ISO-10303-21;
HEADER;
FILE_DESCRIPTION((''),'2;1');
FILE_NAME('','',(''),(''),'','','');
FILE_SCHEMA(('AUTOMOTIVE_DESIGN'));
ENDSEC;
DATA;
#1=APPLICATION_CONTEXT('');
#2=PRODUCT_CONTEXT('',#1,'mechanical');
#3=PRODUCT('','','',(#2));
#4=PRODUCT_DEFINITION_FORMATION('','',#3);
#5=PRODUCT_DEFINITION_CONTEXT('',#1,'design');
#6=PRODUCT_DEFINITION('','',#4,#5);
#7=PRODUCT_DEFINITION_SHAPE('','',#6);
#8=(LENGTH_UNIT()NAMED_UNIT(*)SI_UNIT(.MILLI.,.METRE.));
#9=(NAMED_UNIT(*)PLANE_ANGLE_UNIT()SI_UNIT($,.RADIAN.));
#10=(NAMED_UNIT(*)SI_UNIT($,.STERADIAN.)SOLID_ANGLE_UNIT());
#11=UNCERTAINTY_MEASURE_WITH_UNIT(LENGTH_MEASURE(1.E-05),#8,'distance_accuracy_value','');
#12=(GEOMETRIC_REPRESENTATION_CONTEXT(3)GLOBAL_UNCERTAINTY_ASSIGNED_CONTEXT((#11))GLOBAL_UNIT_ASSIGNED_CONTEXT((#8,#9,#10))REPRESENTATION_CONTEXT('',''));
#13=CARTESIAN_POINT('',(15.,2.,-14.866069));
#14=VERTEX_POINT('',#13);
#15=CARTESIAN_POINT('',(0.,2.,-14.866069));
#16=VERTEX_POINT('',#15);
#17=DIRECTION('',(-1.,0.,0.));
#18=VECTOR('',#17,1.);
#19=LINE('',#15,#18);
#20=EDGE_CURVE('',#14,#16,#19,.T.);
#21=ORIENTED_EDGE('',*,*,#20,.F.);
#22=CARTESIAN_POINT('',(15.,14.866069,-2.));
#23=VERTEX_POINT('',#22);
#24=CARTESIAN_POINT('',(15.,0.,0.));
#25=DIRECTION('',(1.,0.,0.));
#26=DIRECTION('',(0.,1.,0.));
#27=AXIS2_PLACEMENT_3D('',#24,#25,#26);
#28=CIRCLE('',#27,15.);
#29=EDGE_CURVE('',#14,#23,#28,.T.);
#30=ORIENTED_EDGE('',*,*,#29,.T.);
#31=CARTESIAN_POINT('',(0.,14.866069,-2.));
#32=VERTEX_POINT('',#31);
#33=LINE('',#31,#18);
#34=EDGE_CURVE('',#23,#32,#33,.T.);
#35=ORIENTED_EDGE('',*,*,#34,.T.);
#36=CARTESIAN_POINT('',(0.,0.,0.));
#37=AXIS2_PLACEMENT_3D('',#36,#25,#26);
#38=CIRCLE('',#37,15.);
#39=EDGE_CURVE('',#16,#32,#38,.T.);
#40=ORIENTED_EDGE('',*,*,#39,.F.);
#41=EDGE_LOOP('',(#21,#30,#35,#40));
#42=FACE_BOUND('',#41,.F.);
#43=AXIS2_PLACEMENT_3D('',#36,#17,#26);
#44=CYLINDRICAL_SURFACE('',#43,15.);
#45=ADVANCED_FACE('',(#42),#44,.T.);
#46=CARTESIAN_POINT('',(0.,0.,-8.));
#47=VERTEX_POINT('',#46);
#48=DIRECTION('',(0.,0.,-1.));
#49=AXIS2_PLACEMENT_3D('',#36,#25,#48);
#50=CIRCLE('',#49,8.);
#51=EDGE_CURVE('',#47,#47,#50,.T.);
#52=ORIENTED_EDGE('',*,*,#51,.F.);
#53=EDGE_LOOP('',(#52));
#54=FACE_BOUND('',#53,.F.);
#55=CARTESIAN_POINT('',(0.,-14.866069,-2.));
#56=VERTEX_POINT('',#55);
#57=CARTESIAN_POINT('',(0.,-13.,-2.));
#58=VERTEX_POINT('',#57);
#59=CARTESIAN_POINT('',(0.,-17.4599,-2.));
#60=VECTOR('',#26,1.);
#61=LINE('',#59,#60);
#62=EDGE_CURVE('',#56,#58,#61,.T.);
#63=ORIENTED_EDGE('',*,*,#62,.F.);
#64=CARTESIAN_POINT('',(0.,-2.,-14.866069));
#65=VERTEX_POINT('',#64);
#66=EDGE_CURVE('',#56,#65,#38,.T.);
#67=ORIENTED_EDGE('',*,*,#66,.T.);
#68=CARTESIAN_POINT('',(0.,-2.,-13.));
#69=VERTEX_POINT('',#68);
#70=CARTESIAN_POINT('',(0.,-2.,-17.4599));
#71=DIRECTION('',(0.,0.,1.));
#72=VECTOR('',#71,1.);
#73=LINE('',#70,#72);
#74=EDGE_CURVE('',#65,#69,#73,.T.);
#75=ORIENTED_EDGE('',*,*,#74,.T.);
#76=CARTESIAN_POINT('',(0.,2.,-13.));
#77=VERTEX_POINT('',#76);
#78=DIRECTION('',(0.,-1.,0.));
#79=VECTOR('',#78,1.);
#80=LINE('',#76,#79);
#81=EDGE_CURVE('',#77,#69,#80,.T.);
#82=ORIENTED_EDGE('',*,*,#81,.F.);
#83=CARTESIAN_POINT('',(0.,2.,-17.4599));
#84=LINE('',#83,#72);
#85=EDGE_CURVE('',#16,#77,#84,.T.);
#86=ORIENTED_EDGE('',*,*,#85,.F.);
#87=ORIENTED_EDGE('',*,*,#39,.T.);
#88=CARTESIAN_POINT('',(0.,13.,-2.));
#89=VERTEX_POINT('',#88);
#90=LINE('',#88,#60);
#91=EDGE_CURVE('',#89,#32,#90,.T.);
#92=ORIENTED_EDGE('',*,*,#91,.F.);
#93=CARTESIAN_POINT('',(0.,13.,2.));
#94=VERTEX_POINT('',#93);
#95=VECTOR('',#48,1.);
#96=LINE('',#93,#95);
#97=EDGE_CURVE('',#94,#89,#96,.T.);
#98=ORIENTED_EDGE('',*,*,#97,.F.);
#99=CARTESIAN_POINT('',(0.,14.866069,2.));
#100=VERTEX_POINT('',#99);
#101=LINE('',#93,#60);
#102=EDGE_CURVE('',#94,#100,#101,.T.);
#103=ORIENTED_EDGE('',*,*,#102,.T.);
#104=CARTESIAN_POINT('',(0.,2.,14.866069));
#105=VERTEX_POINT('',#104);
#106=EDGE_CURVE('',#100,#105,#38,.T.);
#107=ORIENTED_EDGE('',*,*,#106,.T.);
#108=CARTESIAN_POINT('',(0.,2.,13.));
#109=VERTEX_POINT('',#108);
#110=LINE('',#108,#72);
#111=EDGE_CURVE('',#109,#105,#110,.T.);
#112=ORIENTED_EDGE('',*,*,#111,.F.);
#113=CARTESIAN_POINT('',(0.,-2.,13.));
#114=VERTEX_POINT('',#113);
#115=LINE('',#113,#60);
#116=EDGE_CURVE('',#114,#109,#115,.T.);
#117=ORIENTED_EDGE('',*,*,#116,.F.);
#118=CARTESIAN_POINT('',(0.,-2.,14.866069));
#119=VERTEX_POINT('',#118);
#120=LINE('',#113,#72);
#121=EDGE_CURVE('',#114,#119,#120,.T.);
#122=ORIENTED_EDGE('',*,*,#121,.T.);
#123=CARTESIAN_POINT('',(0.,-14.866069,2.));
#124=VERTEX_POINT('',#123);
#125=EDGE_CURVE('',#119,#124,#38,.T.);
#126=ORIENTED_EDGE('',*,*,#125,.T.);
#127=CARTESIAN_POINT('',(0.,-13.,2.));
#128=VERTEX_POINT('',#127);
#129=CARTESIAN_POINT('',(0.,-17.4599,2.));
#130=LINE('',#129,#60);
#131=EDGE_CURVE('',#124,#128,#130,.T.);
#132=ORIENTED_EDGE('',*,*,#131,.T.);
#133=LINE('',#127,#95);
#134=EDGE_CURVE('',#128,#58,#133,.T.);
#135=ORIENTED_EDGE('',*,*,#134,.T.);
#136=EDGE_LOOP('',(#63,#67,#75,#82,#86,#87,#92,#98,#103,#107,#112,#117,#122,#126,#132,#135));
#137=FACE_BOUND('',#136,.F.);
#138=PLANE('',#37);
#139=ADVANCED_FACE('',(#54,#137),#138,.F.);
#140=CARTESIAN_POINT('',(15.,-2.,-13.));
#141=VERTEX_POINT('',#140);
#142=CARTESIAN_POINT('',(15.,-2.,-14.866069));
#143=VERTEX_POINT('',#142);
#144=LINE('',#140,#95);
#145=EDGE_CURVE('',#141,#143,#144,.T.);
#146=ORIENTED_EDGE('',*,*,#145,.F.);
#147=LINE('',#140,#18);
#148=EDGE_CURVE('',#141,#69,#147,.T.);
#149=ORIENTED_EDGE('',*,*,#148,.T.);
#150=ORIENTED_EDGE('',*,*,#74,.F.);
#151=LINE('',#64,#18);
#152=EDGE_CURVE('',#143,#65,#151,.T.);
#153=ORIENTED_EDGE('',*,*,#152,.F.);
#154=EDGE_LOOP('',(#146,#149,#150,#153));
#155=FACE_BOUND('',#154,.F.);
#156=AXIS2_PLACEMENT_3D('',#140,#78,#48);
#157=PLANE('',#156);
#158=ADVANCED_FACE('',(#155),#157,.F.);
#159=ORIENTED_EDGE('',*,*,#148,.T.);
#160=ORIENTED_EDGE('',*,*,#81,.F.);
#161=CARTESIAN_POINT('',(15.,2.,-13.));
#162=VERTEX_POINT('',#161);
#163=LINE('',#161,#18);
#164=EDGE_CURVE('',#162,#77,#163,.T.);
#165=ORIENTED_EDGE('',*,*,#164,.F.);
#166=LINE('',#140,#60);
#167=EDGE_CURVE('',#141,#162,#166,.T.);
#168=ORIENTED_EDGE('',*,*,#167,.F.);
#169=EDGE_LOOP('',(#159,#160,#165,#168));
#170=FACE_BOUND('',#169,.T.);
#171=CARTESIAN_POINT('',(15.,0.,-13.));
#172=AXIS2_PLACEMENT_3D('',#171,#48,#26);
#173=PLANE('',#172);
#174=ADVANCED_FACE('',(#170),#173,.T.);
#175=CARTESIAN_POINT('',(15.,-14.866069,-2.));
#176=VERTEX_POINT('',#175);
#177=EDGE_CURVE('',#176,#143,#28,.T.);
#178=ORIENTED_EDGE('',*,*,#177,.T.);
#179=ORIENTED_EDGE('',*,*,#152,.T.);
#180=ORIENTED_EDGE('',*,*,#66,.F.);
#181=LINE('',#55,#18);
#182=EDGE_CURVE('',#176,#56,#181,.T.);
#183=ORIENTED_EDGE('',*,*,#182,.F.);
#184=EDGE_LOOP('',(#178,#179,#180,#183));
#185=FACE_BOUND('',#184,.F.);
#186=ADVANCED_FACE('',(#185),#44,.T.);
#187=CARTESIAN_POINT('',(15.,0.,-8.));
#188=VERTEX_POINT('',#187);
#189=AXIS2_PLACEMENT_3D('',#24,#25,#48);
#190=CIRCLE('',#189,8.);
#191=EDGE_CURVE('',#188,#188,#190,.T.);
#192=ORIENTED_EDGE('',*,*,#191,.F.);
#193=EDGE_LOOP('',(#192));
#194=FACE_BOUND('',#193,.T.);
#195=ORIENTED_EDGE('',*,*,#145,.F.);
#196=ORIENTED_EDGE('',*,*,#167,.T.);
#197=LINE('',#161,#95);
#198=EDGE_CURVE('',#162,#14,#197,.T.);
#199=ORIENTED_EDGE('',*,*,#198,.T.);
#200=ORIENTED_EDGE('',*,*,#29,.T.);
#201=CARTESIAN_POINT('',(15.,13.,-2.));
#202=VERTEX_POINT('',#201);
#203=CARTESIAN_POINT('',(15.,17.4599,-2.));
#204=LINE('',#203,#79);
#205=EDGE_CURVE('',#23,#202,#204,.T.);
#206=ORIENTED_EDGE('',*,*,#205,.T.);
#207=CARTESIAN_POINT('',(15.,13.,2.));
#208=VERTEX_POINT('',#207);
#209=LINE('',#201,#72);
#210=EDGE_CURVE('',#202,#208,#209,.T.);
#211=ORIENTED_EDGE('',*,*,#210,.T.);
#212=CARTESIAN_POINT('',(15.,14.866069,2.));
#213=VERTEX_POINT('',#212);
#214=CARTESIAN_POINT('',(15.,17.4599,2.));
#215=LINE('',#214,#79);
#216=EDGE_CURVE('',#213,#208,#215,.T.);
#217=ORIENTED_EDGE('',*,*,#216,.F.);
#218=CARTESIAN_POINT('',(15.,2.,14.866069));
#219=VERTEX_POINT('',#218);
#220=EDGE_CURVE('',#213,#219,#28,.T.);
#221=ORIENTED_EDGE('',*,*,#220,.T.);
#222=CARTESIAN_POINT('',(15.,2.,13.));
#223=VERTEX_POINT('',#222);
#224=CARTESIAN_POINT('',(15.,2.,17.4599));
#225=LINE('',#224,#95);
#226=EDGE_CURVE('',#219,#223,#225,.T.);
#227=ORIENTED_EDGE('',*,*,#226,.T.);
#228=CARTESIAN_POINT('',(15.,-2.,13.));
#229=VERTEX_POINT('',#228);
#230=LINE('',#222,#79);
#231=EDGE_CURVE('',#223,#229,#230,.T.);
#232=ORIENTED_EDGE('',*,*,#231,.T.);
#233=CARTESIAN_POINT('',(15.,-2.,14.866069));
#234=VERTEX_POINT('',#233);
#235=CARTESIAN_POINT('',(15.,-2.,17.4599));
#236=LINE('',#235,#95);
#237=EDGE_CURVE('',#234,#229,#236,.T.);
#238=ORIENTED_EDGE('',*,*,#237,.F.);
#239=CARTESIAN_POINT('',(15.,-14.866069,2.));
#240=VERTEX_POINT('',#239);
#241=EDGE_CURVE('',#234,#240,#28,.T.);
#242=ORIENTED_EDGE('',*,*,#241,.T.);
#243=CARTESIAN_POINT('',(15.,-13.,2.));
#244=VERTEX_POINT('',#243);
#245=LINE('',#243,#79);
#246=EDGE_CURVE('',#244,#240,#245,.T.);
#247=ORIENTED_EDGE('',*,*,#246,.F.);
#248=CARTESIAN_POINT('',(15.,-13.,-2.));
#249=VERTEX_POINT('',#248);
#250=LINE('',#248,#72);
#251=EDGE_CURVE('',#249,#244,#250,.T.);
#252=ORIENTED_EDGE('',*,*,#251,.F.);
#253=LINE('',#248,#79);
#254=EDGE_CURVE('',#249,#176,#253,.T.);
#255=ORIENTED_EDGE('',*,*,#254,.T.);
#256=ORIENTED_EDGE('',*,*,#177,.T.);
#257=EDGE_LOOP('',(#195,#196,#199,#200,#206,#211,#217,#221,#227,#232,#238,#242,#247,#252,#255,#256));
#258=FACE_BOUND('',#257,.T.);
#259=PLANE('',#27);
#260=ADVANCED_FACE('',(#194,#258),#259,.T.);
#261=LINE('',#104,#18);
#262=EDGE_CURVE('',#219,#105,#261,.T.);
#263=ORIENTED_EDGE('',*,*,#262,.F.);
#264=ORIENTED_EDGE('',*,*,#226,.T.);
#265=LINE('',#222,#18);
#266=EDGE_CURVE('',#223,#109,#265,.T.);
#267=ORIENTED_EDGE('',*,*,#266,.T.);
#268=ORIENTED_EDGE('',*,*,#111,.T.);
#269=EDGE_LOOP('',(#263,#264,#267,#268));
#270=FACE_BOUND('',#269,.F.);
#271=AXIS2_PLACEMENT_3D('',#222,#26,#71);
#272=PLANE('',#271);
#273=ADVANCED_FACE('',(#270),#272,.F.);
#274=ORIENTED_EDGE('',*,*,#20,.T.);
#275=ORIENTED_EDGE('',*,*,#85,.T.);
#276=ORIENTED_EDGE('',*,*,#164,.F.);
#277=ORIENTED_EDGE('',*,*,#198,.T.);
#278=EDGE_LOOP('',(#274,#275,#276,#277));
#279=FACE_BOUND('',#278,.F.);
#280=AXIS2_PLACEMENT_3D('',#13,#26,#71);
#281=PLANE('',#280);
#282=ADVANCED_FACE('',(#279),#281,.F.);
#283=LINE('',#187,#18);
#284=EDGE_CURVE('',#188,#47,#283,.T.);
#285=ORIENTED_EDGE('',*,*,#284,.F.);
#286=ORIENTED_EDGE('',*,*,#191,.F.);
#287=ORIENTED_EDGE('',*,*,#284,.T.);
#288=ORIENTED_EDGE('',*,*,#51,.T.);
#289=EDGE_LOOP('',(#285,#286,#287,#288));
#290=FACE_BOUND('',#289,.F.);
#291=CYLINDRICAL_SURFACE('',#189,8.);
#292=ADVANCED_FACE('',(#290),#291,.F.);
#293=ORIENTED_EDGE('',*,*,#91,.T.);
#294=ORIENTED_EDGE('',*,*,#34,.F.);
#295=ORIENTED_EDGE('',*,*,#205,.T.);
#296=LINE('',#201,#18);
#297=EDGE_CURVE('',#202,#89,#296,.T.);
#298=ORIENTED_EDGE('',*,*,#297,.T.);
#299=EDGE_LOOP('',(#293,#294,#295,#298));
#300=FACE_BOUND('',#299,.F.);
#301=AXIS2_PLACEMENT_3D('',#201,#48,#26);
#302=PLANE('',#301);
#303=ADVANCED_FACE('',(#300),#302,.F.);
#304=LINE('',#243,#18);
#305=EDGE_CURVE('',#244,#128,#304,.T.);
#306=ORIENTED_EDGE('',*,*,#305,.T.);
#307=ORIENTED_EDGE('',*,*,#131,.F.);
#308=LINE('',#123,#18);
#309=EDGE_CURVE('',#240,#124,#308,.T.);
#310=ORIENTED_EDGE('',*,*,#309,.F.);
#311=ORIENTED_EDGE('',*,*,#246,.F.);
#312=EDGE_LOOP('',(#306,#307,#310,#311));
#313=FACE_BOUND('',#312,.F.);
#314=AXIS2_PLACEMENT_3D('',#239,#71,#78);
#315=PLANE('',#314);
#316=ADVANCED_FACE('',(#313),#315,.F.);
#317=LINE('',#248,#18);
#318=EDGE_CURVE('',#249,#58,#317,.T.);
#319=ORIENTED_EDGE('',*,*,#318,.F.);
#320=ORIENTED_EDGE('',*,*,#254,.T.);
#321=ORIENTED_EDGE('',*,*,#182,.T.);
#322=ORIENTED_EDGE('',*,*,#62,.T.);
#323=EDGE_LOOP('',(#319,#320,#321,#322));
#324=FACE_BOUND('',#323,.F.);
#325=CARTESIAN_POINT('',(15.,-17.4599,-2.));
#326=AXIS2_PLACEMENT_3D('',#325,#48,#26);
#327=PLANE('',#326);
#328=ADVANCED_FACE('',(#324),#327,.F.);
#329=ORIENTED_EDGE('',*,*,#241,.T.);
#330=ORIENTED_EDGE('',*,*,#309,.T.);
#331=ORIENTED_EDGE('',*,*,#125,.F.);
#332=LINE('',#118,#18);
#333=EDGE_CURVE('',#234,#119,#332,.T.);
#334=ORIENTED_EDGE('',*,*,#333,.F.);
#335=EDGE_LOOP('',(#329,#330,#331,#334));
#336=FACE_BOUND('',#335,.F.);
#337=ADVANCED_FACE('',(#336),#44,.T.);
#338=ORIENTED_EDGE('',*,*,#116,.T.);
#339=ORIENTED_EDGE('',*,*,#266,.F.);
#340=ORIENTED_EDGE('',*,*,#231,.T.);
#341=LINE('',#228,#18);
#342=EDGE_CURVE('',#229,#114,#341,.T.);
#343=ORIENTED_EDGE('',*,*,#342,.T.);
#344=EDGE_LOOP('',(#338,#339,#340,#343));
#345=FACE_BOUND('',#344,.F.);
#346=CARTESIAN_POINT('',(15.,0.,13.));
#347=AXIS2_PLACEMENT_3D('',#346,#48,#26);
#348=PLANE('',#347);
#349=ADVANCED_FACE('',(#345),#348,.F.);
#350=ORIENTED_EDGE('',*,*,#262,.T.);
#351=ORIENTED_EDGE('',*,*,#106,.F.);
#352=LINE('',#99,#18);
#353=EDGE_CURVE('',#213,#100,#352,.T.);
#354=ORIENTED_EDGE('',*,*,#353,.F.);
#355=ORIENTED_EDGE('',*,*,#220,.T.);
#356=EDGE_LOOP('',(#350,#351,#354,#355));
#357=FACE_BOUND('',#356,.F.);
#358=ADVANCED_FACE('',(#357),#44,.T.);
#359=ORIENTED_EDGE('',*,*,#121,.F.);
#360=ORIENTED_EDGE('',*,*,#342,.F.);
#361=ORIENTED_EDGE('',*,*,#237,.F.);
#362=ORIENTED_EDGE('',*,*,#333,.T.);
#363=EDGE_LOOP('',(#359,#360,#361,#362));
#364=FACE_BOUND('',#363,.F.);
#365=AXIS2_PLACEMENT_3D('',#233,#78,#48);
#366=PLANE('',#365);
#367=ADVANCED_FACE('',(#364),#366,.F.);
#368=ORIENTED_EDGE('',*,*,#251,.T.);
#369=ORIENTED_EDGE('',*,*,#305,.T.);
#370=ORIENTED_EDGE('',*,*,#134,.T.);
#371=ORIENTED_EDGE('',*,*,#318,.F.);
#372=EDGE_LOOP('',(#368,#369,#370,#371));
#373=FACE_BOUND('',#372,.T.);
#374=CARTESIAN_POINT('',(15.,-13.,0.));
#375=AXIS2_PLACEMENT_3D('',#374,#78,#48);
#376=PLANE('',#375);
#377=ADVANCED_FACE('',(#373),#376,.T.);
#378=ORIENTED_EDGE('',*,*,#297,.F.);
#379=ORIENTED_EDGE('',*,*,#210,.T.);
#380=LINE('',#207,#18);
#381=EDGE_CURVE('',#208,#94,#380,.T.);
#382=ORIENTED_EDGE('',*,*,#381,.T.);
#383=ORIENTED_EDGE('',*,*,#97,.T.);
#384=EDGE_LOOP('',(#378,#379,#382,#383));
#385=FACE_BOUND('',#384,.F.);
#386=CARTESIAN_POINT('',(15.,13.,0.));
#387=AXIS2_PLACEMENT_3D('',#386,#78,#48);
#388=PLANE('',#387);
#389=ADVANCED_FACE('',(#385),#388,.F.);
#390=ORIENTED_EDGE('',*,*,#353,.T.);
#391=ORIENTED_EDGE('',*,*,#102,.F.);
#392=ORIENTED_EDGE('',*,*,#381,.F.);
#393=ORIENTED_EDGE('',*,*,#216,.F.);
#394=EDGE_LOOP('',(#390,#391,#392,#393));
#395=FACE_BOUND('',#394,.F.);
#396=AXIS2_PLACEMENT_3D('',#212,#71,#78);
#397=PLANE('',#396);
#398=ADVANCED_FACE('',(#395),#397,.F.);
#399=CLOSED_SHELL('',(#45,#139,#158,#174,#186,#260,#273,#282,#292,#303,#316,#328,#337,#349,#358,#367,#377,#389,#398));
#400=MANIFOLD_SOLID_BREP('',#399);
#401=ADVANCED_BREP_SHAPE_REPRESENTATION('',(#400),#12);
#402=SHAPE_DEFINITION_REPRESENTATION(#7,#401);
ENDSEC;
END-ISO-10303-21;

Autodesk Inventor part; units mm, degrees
ref_plane "YZ Plane" through (0, 0, 0) normal (1, 0, 0) x (0, 1, 0)
ref_plane "XZ Plane" through (0, 0, 0) normal (0, 1, 0) x (-1, 0, 0)
ref_plane "XY Plane" through (0, 0, 0) normal (0, 0, 1) x (1, 0, 0)
sketch "Sketch1" plane through (0, 0, 0) normal (1, 0, 0) x (0, 1, 0)
  circle A0 centre (0, 0) radius 15
  dimension "d0" = 30
extrude "Extrusion1" add sketch "Sketch1" along normal blind 15
sketch "Sketch2" plane through (15, 0, 0) normal (1, 0, 0) x (0, 0, -1)
  circle A0 centre (0, 0) radius 8
  dimension "d3" = 16
extrude "Extrusion2" cut sketch "Sketch2" against normal blind 15
thread "Thread1" size "M16x2" class "6H" standard "ISO Metric profile" length 13
sketch "Sketch3" plane through (15, 0, 0) normal (1, 0, 0) x (0, 0, -1)
  circle A0 centre (0, 0) radius 15 projected
  line L0 (0, 15) -> (0, 13)
  line L1 (0, 13) -> (-2, 13)
  line L2 (-2, 13) -> (2, 13)
  line L3 (2, 13) -> (2, 17.4599)
  line L4 (2, 17.4599) -> (-2, 17.4599)
  line L5 (-2, 17.4599) -> (-2, 13)
  line L6 (-15, 0) -> (-13, 0)
  line L7 (-13, 0) -> (-13, -2)
  line L8 (-13, -2) -> (-13, 2)
  line L9 (-13, 2) -> (-17.4599, 2)
  line L10 (-17.4599, 2) -> (-17.4599, -2)
  line L11 (-17.4599, -2) -> (-13, -2)
  line L12 (0, -15) -> (0, -13)
  line L13 (0, -13) -> (2, -13)
  line L14 (2, -13) -> (-2, -13)
  line L15 (-2, -13) -> (-2, -17.4599)
  line L16 (-2, -17.4599) -> (2, -17.4599)
  line L17 (2, -17.4599) -> (2, -13)
  line L18 (15, 0) -> (13, 0)
  line L19 (13, 0) -> (13, 2)
  line L20 (13, 2) -> (13, -2)
  line L21 (13, -2) -> (17.4599, -2)
  line L22 (17.4599, -2) -> (17.4599, 2)
  line L23 (17.4599, 2) -> (13, 2)
  dimension "d8" = 2
  dimension "d9" = 2
  dimension "d10" = 4
  dimension "d13" = 360
extrude "Extrusion3" cut sketch "Sketch3" against normal blind 15 contours L18 L19 L23 A0 | A0 L23 L22 L21 | A0 L21 L20 L18 | L3 L2 L0 A0 | A0 L5 L4 L3 | L17 L16 L15 A0 | A0 L12 L13 L17 | L0 L1 L5 A0 | A0 L15 L14 L12 | L9 L8 L6 A0 | A0 L11 L10 L9 | A0 L6 L7 L11
properties part number "9. LockNutM16" material "Steel, Mild, Welded"
